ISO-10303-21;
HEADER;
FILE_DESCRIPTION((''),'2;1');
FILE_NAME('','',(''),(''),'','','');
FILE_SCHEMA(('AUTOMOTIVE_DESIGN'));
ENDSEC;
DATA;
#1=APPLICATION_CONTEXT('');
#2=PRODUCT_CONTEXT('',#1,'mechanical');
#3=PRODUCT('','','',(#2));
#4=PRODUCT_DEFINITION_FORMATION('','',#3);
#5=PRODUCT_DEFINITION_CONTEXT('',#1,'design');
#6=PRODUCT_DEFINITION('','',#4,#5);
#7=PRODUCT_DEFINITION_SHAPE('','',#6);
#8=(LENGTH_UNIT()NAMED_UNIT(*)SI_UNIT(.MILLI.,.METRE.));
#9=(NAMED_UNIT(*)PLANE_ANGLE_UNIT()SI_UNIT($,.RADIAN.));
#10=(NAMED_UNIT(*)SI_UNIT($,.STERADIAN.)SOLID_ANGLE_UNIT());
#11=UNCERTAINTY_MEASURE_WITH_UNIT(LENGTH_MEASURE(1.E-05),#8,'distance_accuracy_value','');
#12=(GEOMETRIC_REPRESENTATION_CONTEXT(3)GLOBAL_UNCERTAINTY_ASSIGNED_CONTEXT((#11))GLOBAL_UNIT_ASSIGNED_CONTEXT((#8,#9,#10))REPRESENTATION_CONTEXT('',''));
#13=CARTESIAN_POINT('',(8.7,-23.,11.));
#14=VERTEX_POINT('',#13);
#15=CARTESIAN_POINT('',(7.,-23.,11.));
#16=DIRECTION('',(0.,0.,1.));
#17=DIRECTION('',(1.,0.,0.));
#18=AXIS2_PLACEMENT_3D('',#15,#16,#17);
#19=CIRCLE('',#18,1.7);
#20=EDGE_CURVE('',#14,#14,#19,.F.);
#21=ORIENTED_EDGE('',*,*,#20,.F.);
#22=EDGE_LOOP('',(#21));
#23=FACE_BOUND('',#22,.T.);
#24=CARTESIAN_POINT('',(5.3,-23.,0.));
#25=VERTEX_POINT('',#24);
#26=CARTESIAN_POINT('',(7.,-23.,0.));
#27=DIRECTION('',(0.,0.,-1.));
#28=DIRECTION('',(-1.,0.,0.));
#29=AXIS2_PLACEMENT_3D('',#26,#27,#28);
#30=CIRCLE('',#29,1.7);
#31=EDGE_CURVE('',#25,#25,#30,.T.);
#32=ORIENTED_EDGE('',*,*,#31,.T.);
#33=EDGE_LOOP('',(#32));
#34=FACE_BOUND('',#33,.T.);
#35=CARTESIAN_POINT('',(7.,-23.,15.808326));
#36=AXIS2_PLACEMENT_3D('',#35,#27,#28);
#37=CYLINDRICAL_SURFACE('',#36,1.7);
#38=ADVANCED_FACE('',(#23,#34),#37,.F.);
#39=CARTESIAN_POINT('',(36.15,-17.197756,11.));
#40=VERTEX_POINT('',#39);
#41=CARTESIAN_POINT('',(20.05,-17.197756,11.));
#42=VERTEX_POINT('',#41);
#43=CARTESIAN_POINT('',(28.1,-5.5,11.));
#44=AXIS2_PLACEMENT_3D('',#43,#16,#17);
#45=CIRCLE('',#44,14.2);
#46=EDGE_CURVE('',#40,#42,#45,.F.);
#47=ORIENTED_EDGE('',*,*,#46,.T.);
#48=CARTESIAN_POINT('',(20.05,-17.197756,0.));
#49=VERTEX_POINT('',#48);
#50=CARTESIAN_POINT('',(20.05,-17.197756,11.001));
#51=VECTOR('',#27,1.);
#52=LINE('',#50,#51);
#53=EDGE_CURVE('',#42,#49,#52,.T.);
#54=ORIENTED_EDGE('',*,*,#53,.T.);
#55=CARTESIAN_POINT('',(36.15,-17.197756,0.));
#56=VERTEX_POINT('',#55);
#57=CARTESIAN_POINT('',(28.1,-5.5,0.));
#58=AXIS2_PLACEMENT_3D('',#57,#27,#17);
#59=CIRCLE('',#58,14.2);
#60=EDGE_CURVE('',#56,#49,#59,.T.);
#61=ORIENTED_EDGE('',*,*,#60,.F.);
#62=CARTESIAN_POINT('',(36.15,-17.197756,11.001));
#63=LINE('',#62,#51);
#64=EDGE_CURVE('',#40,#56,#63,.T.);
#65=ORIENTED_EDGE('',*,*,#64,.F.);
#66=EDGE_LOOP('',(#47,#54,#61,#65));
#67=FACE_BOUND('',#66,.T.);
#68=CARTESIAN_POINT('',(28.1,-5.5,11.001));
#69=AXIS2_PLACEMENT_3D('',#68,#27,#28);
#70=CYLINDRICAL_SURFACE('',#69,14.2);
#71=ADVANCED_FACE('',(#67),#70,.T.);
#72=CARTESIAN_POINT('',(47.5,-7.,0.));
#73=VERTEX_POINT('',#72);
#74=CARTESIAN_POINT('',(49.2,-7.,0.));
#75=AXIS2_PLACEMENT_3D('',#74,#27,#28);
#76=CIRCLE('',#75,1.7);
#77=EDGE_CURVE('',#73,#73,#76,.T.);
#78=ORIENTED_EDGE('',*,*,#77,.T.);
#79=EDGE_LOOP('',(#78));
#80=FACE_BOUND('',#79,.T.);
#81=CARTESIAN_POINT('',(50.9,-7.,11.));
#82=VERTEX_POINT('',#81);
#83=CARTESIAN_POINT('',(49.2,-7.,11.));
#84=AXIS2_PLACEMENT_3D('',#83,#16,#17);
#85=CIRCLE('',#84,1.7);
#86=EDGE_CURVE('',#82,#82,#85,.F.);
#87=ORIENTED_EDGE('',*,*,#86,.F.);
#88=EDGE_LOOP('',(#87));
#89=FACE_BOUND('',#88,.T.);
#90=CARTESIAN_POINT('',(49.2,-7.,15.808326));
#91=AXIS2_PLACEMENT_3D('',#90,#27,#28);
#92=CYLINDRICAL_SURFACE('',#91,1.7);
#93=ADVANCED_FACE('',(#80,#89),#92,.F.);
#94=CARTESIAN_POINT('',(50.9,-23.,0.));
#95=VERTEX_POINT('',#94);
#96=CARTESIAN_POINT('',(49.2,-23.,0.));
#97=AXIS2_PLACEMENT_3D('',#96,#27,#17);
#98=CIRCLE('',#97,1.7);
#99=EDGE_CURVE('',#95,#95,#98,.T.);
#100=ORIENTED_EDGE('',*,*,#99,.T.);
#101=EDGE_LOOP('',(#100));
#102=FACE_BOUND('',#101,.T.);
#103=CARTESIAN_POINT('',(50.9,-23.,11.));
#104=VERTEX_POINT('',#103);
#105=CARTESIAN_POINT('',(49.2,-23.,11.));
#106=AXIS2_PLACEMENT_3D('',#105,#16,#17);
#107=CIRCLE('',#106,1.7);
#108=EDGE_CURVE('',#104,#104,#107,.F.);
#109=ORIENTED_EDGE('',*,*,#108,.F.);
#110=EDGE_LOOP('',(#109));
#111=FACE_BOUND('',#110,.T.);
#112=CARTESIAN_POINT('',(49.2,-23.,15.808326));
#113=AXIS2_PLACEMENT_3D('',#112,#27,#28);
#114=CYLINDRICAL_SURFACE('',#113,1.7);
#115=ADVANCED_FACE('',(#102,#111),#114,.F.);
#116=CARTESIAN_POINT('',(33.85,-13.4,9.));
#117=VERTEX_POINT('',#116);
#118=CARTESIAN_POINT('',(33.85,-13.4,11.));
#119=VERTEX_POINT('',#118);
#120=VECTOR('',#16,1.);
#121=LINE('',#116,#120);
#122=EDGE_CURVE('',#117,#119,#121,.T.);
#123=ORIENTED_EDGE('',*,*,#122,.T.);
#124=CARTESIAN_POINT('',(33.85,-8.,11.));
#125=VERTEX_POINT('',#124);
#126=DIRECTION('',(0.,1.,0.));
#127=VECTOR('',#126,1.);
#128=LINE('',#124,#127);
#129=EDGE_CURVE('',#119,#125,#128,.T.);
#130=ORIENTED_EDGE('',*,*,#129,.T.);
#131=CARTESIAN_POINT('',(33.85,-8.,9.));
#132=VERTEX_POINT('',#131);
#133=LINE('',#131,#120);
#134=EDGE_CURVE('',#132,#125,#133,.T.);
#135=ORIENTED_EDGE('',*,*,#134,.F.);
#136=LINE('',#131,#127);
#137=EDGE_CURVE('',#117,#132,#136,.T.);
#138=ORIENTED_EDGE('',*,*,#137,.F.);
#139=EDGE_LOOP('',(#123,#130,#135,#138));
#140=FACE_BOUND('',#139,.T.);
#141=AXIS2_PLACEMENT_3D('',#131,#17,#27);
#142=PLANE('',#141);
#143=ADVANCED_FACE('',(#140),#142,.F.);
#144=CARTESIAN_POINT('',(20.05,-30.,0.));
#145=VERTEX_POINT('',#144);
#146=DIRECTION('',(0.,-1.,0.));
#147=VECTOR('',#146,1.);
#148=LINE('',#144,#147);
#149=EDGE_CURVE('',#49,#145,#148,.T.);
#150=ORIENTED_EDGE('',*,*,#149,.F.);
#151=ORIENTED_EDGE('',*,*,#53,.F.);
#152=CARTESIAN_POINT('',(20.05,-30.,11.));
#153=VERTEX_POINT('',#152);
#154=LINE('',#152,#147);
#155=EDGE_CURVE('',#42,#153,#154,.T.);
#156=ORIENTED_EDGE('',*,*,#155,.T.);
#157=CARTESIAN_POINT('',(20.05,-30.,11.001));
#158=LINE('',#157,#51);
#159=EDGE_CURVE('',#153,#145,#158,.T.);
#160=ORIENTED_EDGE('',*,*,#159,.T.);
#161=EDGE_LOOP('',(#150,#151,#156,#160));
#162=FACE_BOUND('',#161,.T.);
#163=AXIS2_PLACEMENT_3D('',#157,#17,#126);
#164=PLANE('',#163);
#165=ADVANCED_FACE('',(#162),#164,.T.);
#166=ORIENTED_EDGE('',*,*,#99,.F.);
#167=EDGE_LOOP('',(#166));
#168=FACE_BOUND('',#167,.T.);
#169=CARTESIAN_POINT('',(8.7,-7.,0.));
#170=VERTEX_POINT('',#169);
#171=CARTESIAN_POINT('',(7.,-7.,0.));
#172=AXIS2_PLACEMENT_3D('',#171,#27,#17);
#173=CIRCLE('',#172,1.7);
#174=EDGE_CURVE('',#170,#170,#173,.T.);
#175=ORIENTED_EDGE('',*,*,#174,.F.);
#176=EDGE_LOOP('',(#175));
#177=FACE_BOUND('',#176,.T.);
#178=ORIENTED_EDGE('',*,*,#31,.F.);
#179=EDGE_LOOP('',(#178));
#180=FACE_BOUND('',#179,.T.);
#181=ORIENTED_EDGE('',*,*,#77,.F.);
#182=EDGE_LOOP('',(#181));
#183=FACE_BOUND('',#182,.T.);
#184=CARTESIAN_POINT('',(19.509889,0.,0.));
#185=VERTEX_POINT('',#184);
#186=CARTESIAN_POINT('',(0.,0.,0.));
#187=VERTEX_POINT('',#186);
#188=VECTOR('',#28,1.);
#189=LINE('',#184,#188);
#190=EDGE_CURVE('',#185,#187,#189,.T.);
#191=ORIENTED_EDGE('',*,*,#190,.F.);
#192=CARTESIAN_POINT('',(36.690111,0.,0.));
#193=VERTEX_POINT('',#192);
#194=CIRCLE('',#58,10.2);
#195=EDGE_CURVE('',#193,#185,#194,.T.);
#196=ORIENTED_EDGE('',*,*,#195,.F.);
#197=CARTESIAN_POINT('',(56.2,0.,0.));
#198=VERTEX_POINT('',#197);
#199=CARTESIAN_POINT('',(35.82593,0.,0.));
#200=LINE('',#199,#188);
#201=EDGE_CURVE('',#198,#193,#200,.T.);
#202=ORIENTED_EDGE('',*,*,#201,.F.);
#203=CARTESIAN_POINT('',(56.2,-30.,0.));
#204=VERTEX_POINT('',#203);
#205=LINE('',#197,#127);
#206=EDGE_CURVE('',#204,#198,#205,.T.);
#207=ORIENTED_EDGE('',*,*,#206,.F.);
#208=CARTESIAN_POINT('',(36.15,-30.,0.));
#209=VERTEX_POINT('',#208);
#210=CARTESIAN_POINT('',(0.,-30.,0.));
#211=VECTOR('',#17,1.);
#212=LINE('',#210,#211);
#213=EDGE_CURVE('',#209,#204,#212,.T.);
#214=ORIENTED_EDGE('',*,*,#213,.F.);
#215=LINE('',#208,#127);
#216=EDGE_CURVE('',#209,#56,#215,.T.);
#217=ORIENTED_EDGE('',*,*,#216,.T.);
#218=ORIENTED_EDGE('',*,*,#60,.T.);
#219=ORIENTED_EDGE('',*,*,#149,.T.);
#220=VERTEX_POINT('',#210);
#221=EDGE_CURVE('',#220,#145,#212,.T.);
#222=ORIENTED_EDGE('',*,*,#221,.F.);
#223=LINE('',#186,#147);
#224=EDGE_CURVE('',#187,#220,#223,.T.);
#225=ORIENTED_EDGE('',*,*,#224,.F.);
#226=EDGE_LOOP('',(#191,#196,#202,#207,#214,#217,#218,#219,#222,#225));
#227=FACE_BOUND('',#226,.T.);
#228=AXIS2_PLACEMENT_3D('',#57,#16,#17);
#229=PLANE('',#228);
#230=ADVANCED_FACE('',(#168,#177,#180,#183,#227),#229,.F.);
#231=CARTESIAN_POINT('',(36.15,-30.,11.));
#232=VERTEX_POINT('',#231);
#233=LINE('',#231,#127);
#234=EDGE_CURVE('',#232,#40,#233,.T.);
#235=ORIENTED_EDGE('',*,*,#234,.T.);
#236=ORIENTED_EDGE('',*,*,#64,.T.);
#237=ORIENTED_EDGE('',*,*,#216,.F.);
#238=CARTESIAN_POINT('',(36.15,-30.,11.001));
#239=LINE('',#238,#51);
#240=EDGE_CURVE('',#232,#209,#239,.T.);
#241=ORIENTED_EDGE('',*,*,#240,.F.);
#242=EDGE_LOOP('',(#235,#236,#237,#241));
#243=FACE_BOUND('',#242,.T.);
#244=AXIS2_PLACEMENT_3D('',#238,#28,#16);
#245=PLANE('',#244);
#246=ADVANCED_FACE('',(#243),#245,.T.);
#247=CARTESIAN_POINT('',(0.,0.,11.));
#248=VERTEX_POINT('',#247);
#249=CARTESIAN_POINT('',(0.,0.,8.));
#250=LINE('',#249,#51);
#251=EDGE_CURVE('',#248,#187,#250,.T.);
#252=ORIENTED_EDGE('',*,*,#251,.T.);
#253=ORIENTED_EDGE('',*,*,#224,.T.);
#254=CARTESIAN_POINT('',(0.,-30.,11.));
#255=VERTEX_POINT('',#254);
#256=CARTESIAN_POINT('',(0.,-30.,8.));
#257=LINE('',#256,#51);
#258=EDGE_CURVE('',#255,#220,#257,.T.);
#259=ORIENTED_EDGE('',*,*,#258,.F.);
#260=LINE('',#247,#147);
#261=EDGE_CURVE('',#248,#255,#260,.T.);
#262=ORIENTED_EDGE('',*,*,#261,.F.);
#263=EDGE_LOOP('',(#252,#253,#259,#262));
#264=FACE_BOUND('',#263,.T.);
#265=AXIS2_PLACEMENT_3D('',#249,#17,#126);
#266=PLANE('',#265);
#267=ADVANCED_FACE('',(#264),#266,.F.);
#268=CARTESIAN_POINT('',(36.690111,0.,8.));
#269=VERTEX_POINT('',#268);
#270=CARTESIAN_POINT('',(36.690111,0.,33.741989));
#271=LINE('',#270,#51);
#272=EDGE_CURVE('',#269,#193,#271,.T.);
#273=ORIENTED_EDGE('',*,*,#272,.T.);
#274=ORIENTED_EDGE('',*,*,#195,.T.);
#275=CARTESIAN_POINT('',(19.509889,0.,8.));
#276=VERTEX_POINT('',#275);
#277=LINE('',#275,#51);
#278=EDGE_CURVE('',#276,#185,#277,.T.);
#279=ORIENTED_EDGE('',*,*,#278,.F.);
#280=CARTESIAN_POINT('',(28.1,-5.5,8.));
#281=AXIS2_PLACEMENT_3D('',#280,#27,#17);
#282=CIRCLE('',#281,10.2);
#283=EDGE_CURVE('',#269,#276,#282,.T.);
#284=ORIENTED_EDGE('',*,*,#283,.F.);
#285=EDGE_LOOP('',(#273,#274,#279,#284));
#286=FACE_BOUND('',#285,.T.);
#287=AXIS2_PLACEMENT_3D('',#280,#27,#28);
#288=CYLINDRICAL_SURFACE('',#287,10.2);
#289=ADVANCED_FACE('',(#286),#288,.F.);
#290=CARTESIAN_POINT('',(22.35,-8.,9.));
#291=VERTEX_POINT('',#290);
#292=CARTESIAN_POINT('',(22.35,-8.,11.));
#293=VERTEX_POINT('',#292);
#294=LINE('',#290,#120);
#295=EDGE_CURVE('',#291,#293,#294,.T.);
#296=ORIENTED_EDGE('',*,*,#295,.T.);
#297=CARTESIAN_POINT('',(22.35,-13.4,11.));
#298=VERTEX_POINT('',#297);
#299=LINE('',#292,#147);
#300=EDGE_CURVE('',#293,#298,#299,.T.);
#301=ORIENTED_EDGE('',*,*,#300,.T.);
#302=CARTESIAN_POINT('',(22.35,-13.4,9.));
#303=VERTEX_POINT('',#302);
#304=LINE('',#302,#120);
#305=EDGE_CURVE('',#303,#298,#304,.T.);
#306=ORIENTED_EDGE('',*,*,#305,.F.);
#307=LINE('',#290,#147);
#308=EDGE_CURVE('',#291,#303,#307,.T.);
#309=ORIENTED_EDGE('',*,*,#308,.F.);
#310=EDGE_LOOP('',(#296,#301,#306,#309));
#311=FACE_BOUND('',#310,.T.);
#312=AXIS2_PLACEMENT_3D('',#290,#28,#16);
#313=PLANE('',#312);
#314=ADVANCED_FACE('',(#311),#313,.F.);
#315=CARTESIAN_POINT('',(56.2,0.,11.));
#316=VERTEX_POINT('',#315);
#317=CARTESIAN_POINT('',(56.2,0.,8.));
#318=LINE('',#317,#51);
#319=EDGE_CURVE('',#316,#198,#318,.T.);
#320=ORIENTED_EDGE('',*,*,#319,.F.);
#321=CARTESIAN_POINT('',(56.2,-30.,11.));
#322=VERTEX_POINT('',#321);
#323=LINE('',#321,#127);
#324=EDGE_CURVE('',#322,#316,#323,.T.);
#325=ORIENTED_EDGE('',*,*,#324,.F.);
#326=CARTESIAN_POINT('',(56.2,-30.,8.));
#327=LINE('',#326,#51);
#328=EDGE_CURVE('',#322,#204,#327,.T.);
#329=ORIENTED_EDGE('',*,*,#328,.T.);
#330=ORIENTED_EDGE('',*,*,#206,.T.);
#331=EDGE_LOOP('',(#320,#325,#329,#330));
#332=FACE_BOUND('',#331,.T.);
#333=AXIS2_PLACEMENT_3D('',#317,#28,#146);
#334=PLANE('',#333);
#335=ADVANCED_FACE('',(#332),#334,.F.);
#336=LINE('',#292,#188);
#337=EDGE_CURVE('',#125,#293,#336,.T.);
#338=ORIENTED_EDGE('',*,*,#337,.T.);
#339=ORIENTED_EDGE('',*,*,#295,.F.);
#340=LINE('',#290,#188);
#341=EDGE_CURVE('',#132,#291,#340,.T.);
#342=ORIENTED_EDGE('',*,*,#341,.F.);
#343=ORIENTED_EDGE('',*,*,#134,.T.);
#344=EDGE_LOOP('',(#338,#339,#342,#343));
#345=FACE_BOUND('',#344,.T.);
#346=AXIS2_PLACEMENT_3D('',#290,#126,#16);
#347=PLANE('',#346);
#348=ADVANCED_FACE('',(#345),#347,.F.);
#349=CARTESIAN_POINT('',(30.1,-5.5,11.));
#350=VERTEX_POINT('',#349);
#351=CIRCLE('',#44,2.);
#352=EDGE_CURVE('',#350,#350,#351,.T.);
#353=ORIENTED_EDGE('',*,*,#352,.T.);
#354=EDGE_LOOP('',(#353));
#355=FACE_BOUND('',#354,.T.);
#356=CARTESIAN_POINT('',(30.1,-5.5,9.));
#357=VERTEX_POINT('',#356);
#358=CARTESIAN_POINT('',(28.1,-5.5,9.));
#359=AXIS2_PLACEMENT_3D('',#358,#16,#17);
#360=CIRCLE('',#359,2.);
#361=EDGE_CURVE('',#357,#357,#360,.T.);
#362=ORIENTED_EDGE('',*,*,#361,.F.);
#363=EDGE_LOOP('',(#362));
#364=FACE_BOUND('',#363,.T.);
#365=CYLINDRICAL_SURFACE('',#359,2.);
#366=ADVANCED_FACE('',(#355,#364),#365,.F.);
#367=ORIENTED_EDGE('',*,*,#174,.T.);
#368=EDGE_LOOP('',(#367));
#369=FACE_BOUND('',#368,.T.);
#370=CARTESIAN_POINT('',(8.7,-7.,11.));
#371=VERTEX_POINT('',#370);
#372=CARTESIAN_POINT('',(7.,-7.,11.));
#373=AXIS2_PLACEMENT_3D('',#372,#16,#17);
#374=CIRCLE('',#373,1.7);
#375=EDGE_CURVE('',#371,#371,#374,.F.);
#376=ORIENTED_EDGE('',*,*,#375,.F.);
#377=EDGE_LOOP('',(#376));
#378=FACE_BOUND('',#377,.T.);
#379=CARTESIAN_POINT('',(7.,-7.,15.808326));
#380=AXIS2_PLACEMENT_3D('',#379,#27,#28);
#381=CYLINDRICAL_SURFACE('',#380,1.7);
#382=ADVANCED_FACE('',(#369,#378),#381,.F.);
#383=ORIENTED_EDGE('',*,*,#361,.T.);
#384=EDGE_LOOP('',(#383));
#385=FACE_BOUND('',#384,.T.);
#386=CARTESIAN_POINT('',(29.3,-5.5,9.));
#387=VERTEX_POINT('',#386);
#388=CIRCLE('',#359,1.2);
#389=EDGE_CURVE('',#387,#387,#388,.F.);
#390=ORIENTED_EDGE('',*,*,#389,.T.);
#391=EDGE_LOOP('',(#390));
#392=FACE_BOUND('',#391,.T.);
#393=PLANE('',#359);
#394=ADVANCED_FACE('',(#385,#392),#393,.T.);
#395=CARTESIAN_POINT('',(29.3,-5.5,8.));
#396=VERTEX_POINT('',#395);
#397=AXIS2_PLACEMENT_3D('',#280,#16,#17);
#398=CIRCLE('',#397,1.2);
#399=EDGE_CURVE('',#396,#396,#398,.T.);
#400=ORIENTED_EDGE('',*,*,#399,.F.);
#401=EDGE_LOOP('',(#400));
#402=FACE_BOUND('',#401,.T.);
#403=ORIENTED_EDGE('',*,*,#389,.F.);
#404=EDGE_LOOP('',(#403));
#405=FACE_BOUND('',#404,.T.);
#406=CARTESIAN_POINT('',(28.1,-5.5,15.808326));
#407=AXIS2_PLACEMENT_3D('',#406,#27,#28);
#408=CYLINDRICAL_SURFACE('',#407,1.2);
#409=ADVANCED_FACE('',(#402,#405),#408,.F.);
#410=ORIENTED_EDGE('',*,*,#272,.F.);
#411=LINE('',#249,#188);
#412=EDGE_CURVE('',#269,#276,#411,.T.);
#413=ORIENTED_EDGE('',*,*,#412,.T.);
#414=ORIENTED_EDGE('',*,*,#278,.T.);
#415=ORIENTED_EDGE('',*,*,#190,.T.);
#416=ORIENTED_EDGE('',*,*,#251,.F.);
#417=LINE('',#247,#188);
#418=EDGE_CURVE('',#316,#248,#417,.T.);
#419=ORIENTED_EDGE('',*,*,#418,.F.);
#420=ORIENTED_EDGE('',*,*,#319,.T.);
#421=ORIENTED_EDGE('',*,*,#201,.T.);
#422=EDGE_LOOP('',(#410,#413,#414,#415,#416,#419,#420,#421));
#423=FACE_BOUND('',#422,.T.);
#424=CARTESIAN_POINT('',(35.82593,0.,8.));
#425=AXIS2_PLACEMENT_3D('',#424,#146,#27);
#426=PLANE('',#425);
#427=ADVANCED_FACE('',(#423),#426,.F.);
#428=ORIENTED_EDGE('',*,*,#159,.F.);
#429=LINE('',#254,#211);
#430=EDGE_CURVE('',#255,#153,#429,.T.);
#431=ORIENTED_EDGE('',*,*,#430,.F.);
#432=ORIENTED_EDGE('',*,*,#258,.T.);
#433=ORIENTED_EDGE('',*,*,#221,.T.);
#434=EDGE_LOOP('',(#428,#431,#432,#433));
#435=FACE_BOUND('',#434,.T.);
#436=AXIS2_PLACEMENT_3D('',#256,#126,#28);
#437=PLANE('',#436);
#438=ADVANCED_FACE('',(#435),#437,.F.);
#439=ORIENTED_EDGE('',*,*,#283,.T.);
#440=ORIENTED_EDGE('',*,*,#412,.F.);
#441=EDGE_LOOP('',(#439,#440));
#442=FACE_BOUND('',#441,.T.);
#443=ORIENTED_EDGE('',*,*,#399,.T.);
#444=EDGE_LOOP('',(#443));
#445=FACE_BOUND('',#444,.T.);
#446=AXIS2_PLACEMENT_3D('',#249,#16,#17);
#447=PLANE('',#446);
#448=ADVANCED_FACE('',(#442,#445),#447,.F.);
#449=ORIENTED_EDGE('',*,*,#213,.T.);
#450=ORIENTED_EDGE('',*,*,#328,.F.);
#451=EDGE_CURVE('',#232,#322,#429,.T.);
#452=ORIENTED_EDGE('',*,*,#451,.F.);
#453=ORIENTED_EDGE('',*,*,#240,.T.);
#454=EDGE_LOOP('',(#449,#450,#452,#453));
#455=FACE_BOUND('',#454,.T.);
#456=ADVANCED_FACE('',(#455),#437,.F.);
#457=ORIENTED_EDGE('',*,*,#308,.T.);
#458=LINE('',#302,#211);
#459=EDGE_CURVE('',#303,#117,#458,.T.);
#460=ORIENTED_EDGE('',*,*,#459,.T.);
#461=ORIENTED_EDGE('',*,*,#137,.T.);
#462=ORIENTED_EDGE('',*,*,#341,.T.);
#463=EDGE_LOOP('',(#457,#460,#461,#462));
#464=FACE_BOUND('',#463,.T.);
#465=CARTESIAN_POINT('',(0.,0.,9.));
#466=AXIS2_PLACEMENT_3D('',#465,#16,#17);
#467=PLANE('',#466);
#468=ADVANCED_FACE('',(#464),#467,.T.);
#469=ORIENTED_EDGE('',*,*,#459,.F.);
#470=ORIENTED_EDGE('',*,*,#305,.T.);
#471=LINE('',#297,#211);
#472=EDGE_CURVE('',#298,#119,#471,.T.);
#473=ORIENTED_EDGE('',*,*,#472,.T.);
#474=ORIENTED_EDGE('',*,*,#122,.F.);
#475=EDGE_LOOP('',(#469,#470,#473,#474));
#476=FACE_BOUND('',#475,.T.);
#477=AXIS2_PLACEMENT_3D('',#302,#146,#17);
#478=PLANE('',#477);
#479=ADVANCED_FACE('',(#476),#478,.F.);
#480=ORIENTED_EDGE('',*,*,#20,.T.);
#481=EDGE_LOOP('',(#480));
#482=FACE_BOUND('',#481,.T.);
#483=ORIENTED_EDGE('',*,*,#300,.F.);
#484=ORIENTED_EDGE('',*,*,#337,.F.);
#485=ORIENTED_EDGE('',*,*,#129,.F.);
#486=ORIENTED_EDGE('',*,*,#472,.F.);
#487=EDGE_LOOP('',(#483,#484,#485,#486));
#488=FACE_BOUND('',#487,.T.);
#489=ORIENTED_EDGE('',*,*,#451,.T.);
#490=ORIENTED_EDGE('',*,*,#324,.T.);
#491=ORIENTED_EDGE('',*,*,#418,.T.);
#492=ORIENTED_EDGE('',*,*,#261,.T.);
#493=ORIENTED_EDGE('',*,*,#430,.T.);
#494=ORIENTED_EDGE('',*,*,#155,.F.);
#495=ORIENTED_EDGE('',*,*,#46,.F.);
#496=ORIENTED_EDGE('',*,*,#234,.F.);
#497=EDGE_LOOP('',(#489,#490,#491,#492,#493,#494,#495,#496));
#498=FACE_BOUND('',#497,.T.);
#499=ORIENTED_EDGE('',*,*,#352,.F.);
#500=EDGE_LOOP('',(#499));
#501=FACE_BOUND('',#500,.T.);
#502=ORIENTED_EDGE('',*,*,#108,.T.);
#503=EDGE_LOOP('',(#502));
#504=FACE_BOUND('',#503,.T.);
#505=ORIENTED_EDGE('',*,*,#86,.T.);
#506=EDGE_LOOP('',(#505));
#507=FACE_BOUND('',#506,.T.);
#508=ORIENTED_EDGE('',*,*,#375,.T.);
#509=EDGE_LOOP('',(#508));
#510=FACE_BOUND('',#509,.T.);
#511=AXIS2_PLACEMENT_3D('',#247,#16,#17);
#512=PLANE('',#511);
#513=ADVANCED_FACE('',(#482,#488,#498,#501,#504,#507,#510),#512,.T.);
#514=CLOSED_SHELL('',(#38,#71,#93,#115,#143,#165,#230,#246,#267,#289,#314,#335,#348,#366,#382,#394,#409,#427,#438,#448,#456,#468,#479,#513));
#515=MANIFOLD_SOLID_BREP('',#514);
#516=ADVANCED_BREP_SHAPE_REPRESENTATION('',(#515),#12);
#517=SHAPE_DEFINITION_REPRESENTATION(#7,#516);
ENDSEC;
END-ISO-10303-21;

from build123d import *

# Parameters (mm, degrees)
BOSS_EXTRUDE1_DEPTH = 8
SKETCH3_W           = 56.2
SKETCH3_H           = 30
BOSS_EXTRUDE2_DEPTH = 3
SKETCH4_R           = 1.7
SKETCH4_R_2         = 1.2
CUT_EXTRUDE2_DEPTH  = 11
CUT_EXTRUDE3_DEPTH  = 8
SKETCH7_R           = 2
SKETCH7_W           = 11.5
SKETCH7_H           = 5.4
CUT_EXTRUDE4_DEPTH  = 2
CUT_EXTRUDE6_REACH  = 13


with BuildPart() as part:
    # Sketch1 → Boss-Extrude1 (new body)
    with BuildSketch(Plane.XY):
        with BuildLine():
            Line((19.509889407, 0), (0, 0))
            Line((0, 0), (0, -30))
            Line((0, -30), (56.2, -30))
            Line((56.2, -30), (56.2, 0))
            Line((56.2, 0), (36.690110593, 0))
            Line((36.690110593, 0), (35.825930365, 0))
            ThreePointArc((35.825930365, 0), (34.325930365, -1.5), (35.825930365, -3))
            Line((35.825930365, -3), (37.988882647, -3))
            ThreePointArc((37.988882647, -3), (26.465465751, -15.568182447), (19.509889407, 0))
        make_face()
    extrude(amount=BOSS_EXTRUDE1_DEPTH)

    # Sketch3 → Boss-Extrude2 (add)
    with BuildSketch(Plane.XY.offset(8)):
        with Locations((28.1, -15)):
            Rectangle(SKETCH3_W, SKETCH3_H)
    extrude(amount=BOSS_EXTRUDE2_DEPTH)

    # Sketch4 → Cut-Extrude2 (cut)
    with BuildSketch(Plane(origin=(0, 0, 0), x_dir=(-1, 0, 0), z_dir=(0, 0, -1))):
        with Locations((-49.2, -7)):
            Circle(SKETCH4_R)
        with Locations((-7, -7)):
            Circle(SKETCH4_R)
        with Locations((-7, -23)):
            Circle(SKETCH4_R)
        with Locations((-49.2, -23)):
            Circle(SKETCH4_R)
        with Locations((-28.1, -5.5)):
            Circle(SKETCH4_R_2)
    extrude(amount=-CUT_EXTRUDE2_DEPTH, mode=Mode.SUBTRACT)

    # Sketch5 → Cut-Extrude3 (cut)
    with BuildSketch(Plane(origin=(0, 0, 0), x_dir=(-1, 0, 0), z_dir=(0, 0, -1))):
        with BuildLine():
            Line((-19.509889407, 0), (-36.690110593, 0))
            ThreePointArc((-36.690110593, 0), (-28.1, -15.7), (-19.509889407, 0))
        make_face()
    extrude(amount=-CUT_EXTRUDE3_DEPTH, mode=Mode.SUBTRACT)

    # Sketch7 → Cut-Extrude4 (cut)
    with BuildSketch(Plane.XY.offset(11)):
        with Locations((28.1, -5.5)):
            Circle(SKETCH7_R)
        with Locations((28.1, -10.7)):
            Rectangle(SKETCH7_W, SKETCH7_H)
    extrude(amount=-CUT_EXTRUDE4_DEPTH, mode=Mode.SUBTRACT)

    # Sketch9 → Cut-Extrude6 (cut, up to next)
    with BuildSketch(Plane.XY, mode=Mode.PRIVATE) as cut_extrude6_sk1:
        with BuildLine():
            Line((36.15, -30), (36.15, -17.197756195))
            ThreePointArc((36.15, -17.197756195), (28.1, -19.7), (20.05, -17.197756195))
            Line((20.05, -17.197756195), (20.05, -30))
            Line((20.05, -30), (36.15, -30))
        make_face()
    cut_extrude6_tool1 = extrude(cut_extrude6_sk1.sketch, amount=CUT_EXTRUDE6_REACH, mode=Mode.PRIVATE) & part.part
    add(cut_extrude6_tool1.solids().sort_by_distance((28.1, -24.424534, 0))[0], mode=Mode.SUBTRACT)


solid = part.part
